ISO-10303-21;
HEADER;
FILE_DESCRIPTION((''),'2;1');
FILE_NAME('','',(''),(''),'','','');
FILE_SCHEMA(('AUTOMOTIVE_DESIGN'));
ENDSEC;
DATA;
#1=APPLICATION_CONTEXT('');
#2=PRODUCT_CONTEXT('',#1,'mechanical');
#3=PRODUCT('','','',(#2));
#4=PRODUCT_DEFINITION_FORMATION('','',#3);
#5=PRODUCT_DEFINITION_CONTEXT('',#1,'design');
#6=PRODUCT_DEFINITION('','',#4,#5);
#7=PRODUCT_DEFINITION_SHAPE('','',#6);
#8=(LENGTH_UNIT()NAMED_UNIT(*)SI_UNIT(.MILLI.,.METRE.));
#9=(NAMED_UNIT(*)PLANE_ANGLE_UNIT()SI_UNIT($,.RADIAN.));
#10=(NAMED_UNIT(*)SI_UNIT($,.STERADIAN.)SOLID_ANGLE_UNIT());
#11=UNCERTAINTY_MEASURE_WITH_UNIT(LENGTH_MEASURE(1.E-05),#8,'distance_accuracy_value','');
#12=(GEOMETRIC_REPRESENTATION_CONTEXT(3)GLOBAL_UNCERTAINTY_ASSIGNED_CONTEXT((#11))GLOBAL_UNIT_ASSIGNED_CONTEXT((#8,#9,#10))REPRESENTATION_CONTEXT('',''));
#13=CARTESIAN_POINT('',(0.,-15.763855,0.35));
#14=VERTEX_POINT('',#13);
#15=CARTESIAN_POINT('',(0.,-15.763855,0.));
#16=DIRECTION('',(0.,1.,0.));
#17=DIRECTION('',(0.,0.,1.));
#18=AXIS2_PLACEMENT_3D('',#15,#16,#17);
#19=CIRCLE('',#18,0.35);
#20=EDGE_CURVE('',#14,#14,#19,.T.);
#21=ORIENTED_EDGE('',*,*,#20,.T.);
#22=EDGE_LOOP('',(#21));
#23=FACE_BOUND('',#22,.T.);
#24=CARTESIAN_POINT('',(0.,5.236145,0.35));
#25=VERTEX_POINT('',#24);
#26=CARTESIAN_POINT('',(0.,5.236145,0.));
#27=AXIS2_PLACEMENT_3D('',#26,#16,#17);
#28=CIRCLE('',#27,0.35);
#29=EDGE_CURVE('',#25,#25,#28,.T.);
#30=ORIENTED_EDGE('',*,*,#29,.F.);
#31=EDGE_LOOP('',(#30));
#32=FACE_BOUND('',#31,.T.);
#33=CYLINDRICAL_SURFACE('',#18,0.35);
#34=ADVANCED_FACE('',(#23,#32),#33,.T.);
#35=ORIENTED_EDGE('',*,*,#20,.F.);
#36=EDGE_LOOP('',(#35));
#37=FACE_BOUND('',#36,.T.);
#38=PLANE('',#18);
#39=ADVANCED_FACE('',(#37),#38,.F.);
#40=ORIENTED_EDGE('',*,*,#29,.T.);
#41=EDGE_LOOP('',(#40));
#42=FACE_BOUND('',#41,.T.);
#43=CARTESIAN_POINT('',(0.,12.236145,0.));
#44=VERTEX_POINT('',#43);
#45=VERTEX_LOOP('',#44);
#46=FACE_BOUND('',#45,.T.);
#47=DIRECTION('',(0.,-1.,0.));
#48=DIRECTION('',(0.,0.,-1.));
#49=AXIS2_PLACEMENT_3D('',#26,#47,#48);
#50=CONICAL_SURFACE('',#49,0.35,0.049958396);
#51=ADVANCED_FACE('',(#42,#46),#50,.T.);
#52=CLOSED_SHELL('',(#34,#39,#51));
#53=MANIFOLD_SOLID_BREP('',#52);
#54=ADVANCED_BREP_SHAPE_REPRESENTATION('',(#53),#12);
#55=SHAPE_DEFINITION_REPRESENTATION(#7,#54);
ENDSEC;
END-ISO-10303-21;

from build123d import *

# Parameters (mm, degrees)
SKETCH_1_R    = 0.5
SCALE_1_SCALE = 0.7


with BuildPart() as part:
    # По траектории1: sweep along a path in Эскиз2
    with BuildLine(Plane.XY) as sweep_1_path:
        Line((0, -20.788855077), (0, 9.211144923))
    # Эскиз1 → По траектории1 (sweep)
    with BuildSketch(Plane(origin=(0, 0, 0), x_dir=(1, 0, 0), z_dir=(0, 1, 0))):
        Circle(SKETCH_1_R)
    sweep(path=sweep_1_path.line)

    # Эскиз5 → Повернуть1 (revolve)
    with BuildSketch(Plane(origin=(0, 0, 0), x_dir=(0, 0, -1), z_dir=(1, 0, 0)), mode=Mode.PRIVATE) as revolve_1_sk:
        Polygon((0, 19.211144923), (0.5, 9.211144923), (0, 9.211144923), align=None)
    revolve(revolve_1_sk.sketch.rotate(Axis((0, 9.211144923, 0), (0, 1, 0)), 180), axis=Axis((0, 9.211144923, 0), (0, 1, 0)))


with BuildPart() as part_1:
    # Масштаб1: scaled about (0, -4.038855077, 0)
    add(part.part.scale(SCALE_1_SCALE).moved(Location((0, -1.211656523, 0))))


solid = part_1.part
